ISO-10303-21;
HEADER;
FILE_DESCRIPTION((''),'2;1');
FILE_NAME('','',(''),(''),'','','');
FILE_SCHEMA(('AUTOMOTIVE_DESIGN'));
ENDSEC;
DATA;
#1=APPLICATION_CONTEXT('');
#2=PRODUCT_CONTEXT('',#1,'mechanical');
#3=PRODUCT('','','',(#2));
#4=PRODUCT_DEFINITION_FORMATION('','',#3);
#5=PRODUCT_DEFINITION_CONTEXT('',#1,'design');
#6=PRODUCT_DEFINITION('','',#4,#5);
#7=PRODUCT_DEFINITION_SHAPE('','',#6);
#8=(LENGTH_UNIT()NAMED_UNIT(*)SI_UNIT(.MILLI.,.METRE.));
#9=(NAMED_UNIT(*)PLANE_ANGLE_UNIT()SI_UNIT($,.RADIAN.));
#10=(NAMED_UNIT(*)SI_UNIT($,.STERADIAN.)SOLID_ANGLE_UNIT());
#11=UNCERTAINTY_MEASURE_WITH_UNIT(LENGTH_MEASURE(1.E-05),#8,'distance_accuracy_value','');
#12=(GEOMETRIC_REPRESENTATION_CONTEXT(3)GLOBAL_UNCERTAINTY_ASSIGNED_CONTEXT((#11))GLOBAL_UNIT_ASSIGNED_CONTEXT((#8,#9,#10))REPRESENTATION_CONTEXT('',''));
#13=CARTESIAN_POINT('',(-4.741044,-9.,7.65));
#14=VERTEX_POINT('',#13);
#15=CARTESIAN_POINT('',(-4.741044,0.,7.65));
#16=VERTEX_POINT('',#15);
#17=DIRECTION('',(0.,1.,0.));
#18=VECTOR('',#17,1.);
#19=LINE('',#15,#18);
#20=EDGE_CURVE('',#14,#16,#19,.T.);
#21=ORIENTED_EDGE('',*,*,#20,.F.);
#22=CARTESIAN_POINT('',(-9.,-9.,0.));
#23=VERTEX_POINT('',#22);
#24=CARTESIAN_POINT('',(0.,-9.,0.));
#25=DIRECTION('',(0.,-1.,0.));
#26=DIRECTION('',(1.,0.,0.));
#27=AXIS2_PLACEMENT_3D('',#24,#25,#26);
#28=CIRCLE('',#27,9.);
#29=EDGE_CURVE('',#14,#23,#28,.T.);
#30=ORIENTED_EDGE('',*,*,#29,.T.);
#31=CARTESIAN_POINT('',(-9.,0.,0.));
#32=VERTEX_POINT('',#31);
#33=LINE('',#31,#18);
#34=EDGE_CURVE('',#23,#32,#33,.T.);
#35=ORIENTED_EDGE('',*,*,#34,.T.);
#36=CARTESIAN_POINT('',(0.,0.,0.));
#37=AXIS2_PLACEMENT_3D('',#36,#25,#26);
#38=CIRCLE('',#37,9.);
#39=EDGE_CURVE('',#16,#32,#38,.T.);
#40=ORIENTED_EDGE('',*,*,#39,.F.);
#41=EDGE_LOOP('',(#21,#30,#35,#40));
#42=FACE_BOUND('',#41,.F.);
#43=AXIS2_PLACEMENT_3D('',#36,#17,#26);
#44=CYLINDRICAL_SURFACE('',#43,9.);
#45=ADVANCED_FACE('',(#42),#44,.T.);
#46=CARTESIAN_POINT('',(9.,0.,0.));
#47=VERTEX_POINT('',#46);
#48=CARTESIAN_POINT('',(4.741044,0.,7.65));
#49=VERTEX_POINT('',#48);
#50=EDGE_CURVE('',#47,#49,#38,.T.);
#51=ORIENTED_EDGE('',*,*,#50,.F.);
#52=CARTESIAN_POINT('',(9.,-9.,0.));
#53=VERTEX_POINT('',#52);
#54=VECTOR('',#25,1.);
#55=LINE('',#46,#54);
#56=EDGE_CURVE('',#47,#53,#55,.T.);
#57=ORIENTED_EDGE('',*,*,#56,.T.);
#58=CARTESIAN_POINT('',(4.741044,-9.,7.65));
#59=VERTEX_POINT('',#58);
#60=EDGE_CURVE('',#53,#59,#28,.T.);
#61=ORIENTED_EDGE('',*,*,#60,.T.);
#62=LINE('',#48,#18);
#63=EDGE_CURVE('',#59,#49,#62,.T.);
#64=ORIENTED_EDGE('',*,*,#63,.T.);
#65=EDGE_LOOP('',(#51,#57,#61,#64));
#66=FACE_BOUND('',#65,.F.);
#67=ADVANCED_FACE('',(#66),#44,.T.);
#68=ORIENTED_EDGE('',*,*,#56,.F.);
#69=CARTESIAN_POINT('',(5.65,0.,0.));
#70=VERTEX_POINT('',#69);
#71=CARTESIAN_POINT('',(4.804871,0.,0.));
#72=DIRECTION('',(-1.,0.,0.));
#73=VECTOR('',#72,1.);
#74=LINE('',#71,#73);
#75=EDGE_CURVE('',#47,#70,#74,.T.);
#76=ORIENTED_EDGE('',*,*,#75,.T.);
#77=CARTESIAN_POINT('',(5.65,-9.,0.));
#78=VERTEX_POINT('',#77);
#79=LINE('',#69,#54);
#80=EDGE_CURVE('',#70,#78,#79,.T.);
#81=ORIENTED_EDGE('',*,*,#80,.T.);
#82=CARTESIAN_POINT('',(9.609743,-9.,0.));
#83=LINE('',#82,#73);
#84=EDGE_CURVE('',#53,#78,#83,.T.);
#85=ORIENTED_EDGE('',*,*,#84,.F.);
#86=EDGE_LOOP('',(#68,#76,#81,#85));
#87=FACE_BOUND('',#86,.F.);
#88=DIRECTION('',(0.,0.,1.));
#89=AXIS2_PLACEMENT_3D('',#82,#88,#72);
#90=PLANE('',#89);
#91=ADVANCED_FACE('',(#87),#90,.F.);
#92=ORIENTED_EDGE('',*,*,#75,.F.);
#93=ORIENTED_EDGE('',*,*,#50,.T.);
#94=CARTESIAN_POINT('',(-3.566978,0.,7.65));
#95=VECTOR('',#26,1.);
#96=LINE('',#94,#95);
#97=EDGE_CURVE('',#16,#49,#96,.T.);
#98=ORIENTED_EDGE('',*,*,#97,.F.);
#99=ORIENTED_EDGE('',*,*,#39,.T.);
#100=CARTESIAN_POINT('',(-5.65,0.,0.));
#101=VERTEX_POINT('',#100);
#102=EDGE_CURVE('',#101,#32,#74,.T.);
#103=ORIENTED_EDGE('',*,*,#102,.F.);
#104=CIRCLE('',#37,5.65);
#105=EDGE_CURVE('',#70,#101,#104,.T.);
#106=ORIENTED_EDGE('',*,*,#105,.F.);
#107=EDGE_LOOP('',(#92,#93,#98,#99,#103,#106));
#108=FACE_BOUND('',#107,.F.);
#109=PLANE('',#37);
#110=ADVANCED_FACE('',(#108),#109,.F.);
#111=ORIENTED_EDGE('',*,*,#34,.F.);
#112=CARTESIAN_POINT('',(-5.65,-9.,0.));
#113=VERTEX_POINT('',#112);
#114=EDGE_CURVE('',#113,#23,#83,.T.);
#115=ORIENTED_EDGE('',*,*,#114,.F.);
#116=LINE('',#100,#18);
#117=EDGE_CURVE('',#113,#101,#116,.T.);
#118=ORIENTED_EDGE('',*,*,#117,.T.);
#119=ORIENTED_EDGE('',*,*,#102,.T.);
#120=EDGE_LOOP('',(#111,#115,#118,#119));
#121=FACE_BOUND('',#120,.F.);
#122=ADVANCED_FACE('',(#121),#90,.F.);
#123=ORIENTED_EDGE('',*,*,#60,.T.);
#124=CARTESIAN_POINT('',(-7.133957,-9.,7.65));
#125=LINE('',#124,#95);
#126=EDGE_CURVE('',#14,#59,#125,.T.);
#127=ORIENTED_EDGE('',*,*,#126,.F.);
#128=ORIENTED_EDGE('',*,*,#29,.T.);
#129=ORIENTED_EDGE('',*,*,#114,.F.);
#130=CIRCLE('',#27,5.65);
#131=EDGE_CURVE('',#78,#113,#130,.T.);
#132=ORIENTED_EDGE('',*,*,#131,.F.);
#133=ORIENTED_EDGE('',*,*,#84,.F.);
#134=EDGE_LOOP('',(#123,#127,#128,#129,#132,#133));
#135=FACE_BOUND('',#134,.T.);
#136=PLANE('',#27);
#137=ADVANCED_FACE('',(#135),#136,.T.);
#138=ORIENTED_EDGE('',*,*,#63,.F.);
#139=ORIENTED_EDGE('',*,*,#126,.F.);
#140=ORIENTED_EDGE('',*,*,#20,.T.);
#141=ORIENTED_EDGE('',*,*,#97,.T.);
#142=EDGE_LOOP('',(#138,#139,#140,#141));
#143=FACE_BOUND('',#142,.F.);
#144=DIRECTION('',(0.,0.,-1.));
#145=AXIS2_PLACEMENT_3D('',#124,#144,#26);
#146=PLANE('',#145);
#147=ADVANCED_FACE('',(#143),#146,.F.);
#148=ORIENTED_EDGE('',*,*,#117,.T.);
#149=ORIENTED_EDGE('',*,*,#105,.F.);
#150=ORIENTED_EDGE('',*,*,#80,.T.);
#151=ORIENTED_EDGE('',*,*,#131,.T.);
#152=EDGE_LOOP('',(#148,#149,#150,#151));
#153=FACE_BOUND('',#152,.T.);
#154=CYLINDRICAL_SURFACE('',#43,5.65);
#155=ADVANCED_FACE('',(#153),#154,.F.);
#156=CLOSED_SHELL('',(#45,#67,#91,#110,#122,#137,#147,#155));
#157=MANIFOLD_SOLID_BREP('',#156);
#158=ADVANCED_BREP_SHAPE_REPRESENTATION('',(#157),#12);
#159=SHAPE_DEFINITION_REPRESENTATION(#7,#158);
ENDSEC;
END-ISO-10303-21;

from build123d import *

# Parameters (mm, degrees)
F0_R     = 9
F0_R_2   = 5.65
F1_DEPTH = 9
F3_DEPTH = 25
F5_DEPTH = 25


with BuildPart() as f1:
    # F0 (on Front) → F1 (new body)
    with BuildSketch(Plane.XZ):
        Circle(F0_R)
        Circle(F0_R_2, mode=Mode.SUBTRACT)
    extrude(amount=F1_DEPTH)

    # F2 (on face) → F3 (cut)
    with BuildSketch(Plane.XZ.offset(9)):
        Polygon((9.609743, 0), (-9, 0), (-9.972616, 0), (-9.972616, -10.801357), (9.609743, -10.801357), align=None)
    extrude(amount=-F3_DEPTH, mode=Mode.SUBTRACT)

    # F4 (on face) → F5 (cut)
    with BuildSketch(Plane.XZ.offset(9)):
        Polygon((-7.133957, 7.65), (0, 7.65), (5.867002, 7.65), (5.867002, 11.901876), (-7.133957, 11.901876), align=None)
    extrude(amount=-F5_DEPTH, mode=Mode.SUBTRACT)


solid = f1.part
